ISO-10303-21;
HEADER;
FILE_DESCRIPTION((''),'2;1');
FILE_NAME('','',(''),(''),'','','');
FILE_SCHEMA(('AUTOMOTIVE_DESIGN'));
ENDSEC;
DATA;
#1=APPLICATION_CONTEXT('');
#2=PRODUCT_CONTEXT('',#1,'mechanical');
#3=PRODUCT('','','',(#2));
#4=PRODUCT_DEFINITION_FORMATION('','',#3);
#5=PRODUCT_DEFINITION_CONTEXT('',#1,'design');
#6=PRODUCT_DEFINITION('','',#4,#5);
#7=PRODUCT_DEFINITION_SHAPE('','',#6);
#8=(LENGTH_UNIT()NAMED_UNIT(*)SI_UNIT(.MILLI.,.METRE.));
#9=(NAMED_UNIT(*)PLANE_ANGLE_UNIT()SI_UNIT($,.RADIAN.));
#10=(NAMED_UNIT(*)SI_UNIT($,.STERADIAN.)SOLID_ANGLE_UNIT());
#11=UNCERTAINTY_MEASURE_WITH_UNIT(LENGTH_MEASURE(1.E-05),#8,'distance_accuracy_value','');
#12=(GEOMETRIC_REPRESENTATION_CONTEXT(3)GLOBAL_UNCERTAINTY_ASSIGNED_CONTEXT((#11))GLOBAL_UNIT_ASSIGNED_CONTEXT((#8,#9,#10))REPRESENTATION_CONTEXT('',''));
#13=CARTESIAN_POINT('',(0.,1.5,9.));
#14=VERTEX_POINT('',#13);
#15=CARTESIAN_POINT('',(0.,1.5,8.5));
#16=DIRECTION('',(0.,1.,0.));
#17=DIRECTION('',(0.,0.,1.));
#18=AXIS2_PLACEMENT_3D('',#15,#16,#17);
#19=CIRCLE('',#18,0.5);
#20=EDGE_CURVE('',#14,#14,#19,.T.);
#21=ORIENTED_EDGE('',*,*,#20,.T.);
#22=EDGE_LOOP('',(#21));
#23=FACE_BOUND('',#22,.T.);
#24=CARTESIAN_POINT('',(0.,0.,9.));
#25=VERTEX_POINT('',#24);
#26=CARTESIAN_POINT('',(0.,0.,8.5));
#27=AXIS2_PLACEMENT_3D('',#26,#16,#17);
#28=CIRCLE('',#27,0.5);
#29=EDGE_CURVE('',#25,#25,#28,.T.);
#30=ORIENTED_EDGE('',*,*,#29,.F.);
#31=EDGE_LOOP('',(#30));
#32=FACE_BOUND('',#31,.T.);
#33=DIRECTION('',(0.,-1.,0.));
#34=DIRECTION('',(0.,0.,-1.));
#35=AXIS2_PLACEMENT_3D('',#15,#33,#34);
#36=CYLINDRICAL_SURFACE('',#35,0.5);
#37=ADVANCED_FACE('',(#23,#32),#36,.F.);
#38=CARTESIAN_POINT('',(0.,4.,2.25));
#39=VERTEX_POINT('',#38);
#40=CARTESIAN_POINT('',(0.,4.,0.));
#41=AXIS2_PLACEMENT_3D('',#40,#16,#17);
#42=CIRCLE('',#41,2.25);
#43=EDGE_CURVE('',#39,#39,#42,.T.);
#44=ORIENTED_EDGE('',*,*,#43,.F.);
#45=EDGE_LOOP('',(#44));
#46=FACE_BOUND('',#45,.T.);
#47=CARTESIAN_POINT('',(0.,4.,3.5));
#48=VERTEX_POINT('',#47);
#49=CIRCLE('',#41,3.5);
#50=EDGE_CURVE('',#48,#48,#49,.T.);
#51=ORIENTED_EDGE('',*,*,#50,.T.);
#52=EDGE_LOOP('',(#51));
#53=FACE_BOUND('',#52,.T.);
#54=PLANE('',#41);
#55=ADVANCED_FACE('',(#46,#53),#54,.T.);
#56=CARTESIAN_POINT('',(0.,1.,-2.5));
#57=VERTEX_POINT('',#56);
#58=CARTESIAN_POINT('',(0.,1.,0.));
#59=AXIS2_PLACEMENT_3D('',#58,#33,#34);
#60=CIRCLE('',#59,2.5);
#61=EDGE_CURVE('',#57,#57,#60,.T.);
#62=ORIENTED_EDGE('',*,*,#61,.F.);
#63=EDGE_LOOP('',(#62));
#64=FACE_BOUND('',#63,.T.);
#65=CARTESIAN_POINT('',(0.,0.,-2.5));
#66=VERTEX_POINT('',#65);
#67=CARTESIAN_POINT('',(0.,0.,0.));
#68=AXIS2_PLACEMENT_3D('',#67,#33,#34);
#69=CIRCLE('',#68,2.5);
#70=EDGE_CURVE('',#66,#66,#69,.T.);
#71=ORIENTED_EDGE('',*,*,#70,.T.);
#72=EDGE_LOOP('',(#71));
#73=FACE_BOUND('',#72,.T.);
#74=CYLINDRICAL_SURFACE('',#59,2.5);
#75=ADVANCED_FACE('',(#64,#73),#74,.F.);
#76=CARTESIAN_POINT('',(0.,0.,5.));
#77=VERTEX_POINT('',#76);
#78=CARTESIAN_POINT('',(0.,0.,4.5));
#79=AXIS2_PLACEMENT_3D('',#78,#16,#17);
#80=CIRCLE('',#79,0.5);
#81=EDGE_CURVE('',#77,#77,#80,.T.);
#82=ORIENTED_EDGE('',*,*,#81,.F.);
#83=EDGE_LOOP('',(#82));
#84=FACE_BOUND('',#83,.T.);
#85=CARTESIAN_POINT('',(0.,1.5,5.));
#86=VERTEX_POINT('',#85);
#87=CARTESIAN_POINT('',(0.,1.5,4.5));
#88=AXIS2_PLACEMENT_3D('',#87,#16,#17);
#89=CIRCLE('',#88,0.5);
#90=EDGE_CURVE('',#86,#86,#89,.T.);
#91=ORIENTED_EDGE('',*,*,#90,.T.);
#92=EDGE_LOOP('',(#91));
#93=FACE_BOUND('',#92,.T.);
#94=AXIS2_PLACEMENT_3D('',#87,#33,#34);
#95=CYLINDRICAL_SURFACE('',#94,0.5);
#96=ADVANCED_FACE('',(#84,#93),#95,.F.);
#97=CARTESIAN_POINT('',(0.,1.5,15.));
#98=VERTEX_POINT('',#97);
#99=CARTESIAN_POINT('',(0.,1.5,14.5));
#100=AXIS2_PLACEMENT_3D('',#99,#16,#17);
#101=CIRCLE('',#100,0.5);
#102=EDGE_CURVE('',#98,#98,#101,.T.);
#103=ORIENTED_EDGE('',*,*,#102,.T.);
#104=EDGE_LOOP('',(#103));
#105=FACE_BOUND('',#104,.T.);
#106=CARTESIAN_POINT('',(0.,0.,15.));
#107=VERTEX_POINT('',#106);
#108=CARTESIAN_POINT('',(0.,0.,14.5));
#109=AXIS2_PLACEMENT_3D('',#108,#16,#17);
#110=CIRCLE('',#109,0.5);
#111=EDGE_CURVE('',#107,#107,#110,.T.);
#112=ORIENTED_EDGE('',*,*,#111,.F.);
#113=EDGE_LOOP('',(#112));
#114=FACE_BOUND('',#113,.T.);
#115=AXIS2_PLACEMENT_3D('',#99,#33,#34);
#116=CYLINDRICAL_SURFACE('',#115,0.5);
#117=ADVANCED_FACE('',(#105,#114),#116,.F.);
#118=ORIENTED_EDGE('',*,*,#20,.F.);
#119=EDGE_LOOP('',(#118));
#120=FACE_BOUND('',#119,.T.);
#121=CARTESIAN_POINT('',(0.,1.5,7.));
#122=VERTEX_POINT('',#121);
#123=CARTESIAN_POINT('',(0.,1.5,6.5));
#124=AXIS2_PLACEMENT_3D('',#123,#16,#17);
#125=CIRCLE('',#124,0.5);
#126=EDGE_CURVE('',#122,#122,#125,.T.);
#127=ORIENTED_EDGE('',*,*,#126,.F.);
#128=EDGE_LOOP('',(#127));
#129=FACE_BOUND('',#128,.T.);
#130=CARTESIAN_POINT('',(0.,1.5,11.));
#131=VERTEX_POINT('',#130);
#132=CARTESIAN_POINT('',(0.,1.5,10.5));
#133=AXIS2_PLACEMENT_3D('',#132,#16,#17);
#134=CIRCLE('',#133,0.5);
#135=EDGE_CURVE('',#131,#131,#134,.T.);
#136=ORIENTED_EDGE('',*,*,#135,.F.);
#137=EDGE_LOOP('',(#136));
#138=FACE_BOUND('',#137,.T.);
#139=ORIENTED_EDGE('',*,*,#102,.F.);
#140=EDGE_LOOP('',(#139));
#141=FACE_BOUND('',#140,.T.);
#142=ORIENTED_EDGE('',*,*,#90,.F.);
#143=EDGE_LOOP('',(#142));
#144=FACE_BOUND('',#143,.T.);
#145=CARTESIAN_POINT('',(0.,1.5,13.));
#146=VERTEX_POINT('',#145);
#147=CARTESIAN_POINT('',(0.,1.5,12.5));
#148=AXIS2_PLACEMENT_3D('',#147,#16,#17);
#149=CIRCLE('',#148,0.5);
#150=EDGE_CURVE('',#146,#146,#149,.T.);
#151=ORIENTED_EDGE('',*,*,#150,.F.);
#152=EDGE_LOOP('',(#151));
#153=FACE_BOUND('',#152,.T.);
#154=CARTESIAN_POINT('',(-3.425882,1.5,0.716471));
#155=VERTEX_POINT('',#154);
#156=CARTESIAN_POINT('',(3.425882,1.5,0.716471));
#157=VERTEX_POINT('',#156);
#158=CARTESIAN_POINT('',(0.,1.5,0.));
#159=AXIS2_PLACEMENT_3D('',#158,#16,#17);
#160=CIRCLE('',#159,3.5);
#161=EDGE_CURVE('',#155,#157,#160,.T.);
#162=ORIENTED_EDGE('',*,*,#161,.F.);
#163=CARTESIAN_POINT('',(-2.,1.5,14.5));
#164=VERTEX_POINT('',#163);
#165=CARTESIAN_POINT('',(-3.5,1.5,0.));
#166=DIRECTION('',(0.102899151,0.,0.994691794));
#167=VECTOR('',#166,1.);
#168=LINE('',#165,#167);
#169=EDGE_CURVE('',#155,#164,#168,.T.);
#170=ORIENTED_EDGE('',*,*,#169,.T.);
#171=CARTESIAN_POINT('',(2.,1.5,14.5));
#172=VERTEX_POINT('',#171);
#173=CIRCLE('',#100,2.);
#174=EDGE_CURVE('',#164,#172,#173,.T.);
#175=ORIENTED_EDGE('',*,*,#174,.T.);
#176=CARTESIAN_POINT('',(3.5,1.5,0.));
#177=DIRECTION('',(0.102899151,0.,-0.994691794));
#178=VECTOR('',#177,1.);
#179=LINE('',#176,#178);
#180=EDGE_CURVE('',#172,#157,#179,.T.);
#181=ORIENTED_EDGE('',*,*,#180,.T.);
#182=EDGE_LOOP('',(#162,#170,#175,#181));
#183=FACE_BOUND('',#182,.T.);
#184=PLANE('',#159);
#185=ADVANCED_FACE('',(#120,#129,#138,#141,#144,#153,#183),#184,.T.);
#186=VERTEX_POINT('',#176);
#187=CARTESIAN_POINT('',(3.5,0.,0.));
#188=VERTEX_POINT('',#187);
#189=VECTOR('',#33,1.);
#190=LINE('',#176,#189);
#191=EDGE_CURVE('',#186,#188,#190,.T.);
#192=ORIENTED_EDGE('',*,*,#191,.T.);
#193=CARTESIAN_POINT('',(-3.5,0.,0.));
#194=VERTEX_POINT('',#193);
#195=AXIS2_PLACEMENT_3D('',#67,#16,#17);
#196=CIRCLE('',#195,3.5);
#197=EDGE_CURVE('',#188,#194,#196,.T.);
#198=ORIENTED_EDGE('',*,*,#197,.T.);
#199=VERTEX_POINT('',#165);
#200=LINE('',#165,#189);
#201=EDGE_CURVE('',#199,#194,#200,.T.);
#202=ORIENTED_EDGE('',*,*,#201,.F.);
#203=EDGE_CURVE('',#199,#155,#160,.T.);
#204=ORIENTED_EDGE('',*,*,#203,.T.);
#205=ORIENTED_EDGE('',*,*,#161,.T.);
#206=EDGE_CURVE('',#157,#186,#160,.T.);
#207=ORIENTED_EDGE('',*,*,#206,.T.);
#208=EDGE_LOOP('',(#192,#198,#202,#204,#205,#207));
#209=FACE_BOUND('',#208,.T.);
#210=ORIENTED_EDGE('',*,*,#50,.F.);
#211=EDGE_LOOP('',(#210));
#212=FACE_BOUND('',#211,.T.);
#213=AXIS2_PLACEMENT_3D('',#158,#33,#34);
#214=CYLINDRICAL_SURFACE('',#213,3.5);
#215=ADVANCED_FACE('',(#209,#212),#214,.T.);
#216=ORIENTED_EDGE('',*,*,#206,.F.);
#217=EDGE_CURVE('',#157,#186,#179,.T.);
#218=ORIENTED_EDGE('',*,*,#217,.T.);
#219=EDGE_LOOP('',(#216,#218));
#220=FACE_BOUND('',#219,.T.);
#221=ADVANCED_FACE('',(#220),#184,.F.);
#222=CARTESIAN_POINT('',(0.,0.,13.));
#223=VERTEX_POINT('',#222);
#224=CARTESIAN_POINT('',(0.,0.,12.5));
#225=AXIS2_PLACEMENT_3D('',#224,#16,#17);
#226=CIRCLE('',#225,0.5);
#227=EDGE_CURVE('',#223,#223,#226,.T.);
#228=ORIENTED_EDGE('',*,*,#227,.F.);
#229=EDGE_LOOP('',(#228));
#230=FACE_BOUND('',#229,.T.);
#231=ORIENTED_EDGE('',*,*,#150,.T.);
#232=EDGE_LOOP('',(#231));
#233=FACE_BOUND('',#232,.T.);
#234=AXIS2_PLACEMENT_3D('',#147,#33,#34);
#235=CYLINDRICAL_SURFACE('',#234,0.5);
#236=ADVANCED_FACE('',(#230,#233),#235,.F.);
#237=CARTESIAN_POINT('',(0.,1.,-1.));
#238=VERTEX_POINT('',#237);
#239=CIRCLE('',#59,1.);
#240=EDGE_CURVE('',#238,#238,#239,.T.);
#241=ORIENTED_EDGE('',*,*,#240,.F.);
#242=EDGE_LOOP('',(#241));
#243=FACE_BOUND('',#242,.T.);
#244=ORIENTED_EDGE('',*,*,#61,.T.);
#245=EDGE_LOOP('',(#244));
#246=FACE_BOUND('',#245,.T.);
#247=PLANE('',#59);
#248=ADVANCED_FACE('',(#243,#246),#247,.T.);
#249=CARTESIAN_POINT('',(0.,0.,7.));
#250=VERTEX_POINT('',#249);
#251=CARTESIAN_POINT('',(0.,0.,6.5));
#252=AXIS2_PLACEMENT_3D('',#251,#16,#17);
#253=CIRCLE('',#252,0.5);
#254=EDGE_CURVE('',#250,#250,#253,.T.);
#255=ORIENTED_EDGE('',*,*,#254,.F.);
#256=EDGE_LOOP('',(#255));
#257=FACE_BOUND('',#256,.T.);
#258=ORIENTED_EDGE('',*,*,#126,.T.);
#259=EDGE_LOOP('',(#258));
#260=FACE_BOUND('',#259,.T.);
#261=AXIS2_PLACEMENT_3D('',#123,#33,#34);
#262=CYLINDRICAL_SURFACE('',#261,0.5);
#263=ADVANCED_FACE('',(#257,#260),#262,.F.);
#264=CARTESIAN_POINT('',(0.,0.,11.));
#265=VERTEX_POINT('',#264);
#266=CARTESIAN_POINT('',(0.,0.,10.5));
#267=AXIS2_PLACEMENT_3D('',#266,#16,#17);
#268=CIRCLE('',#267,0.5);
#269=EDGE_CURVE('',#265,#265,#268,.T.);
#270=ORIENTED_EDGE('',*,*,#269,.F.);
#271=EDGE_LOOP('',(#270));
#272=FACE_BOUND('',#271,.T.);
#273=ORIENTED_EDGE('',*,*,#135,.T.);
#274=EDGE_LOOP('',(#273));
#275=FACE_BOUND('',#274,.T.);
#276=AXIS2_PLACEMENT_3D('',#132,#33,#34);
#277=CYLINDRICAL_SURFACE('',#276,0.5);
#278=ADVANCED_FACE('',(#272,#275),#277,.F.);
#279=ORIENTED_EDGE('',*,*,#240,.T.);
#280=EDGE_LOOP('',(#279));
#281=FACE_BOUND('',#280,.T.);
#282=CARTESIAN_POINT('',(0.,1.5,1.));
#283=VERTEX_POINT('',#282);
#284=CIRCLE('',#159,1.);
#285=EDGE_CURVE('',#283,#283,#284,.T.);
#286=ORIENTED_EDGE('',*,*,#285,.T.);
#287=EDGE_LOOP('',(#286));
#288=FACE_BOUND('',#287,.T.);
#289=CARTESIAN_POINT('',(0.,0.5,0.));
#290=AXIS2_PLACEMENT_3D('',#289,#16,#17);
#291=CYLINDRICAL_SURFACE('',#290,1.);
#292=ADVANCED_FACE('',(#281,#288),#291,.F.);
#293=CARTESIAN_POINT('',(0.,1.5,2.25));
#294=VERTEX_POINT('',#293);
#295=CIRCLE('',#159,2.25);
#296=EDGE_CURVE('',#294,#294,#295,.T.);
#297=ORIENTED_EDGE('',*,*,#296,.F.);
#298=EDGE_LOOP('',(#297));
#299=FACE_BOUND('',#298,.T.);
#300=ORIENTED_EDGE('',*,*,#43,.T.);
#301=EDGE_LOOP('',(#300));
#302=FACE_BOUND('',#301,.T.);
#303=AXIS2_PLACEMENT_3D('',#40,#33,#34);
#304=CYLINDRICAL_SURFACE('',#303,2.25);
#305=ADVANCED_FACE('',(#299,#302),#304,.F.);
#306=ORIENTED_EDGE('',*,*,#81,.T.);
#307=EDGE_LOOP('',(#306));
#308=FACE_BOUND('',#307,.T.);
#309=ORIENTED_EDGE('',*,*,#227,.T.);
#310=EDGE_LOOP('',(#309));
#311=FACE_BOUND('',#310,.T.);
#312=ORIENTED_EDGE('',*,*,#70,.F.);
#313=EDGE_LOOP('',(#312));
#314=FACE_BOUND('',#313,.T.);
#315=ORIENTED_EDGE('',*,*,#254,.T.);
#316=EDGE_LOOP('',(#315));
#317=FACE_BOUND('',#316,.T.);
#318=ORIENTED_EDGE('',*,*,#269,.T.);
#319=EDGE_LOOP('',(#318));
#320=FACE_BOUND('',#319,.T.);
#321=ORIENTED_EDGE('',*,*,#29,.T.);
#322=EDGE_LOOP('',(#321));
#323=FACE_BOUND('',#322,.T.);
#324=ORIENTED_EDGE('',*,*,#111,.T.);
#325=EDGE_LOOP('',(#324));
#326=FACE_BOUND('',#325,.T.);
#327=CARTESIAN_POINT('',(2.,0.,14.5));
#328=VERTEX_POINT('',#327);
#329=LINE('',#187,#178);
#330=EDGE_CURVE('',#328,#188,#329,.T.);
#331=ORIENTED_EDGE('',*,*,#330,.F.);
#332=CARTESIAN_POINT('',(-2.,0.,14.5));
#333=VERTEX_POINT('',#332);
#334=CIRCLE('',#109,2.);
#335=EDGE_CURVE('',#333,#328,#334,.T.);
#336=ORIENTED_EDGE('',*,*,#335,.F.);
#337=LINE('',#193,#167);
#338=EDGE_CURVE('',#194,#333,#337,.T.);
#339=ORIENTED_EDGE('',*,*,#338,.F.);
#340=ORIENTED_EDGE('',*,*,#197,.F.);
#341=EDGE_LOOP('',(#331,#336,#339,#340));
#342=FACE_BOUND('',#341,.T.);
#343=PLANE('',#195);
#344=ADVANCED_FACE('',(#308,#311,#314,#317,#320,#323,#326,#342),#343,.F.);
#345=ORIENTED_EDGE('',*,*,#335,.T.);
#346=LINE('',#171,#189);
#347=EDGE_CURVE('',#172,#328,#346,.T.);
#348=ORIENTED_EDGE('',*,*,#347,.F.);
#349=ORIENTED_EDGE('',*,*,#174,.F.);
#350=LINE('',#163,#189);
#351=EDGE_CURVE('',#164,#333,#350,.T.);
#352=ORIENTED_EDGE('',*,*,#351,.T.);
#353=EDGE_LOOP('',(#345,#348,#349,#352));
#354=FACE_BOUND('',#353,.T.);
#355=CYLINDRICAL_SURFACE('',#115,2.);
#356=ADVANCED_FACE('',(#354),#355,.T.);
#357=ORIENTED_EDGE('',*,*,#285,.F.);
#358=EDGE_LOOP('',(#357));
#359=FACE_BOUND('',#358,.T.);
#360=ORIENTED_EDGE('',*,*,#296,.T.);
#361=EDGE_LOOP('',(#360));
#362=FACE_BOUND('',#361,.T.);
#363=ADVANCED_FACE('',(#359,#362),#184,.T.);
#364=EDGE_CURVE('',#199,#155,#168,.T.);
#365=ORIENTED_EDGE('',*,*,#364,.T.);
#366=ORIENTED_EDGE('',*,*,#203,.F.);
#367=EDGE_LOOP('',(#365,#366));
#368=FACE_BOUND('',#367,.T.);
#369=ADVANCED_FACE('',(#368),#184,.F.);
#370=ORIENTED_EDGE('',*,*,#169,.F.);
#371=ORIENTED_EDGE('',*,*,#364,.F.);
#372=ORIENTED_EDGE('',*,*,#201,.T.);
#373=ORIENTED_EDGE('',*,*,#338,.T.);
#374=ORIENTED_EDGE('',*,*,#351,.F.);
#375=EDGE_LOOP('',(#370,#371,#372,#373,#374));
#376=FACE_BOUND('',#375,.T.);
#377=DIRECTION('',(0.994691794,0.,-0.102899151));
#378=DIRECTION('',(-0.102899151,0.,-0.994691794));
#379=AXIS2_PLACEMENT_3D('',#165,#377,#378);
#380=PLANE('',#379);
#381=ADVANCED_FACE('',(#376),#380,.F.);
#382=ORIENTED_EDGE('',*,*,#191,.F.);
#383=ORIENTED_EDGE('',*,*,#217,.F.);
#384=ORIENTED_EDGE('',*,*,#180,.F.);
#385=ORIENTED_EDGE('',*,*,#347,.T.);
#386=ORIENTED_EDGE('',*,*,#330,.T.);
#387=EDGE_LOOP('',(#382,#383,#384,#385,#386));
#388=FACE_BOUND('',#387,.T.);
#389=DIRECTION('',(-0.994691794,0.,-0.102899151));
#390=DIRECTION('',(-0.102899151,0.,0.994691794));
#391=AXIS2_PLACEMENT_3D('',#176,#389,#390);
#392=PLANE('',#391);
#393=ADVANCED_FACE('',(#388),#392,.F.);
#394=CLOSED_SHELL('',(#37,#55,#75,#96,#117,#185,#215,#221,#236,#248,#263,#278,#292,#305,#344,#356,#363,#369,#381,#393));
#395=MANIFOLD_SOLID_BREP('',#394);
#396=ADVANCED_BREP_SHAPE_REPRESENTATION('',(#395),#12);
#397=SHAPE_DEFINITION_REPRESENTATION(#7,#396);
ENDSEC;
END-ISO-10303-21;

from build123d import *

# Parameters (mm, degrees)
CROQUIS1_R              = 0.5
SALIENTE_EXTRUIR1_DEPTH = 1.5
CROQUIS2_R              = 3.5
CROQUIS2_R_2            = 2.25
SALIENTE_EXTRUIR2_DEPTH = 2.5
CROQUIS3_R              = 2.5
CORTAR_EXTRUIR1_DEPTH   = 1
CROQUIS4_R              = 1
CORTAR_EXTRUIR2_DEPTH   = 1


with BuildPart() as part:
    # Croquis1 → Saliente-Extruir1 (new body)
    with BuildSketch(Plane(origin=(0, 0, 0), x_dir=(1, 0, 0), z_dir=(0, 1, 0))):
        with BuildLine():
            Line((-3.5, 0), (-2, -14.5))
            ThreePointArc((-2, -14.5), (0, -16.5), (2, -14.5))
            Line((2, -14.5), (3.5, 0))
            ThreePointArc((3.5, 0), (0, 3.5), (-3.5, 0))
        make_face()
        with Locations(Location((0, -14.5, 0), (0, 0, 270))):
            Circle(CROQUIS1_R, mode=Mode.SUBTRACT)
        with Locations(Location((0, -12.5, 0), (0, 0, 270))):
            Circle(CROQUIS1_R, mode=Mode.SUBTRACT)
        with Locations(Location((0, -10.5, 0), (0, 0, 270))):
            Circle(CROQUIS1_R, mode=Mode.SUBTRACT)
        with Locations(Location((0, -8.5, 0), (0, 0, 270))):
            Circle(CROQUIS1_R, mode=Mode.SUBTRACT)
        with Locations(Location((0, -6.5, 0), (0, 0, 270))):
            Circle(CROQUIS1_R, mode=Mode.SUBTRACT)
        with Locations(Location((0, -4.5, 0), (0, 0, 270))):
            Circle(CROQUIS1_R, mode=Mode.SUBTRACT)
    extrude(amount=SALIENTE_EXTRUIR1_DEPTH)

    # Croquis2 → Saliente-Extruir2 (add)
    with BuildSketch(Plane(origin=(0, 1.5, 0), x_dir=(1, 0, 0), z_dir=(0, 1, 0))):
        with Locations(Location((0, 0, 0), (0, 0, 180))):
            Circle(CROQUIS2_R)
        with Locations(Location((0, 0, 0), (0, 0, 270))):
            Circle(CROQUIS2_R_2, mode=Mode.SUBTRACT)
    extrude(amount=SALIENTE_EXTRUIR2_DEPTH)

    # Croquis3 → Cortar-Extruir1 (cut)
    with BuildSketch(Plane.XZ):
        with Locations(Location((0, 0, 0), (0, 0, 270))):
            Circle(CROQUIS3_R)
    extrude(amount=-CORTAR_EXTRUIR1_DEPTH, mode=Mode.SUBTRACT)

    # Croquis4 → Cortar-Extruir2 (cut)
    with BuildSketch(Plane(origin=(0, 1.5, 0), x_dir=(1, 0, 0), z_dir=(0, 1, 0))):
        with Locations(Location((0, 0, 0), (0, 0, 270))):
            Circle(CROQUIS4_R)
    extrude(amount=-CORTAR_EXTRUIR2_DEPTH, mode=Mode.SUBTRACT)


solid = part.part
